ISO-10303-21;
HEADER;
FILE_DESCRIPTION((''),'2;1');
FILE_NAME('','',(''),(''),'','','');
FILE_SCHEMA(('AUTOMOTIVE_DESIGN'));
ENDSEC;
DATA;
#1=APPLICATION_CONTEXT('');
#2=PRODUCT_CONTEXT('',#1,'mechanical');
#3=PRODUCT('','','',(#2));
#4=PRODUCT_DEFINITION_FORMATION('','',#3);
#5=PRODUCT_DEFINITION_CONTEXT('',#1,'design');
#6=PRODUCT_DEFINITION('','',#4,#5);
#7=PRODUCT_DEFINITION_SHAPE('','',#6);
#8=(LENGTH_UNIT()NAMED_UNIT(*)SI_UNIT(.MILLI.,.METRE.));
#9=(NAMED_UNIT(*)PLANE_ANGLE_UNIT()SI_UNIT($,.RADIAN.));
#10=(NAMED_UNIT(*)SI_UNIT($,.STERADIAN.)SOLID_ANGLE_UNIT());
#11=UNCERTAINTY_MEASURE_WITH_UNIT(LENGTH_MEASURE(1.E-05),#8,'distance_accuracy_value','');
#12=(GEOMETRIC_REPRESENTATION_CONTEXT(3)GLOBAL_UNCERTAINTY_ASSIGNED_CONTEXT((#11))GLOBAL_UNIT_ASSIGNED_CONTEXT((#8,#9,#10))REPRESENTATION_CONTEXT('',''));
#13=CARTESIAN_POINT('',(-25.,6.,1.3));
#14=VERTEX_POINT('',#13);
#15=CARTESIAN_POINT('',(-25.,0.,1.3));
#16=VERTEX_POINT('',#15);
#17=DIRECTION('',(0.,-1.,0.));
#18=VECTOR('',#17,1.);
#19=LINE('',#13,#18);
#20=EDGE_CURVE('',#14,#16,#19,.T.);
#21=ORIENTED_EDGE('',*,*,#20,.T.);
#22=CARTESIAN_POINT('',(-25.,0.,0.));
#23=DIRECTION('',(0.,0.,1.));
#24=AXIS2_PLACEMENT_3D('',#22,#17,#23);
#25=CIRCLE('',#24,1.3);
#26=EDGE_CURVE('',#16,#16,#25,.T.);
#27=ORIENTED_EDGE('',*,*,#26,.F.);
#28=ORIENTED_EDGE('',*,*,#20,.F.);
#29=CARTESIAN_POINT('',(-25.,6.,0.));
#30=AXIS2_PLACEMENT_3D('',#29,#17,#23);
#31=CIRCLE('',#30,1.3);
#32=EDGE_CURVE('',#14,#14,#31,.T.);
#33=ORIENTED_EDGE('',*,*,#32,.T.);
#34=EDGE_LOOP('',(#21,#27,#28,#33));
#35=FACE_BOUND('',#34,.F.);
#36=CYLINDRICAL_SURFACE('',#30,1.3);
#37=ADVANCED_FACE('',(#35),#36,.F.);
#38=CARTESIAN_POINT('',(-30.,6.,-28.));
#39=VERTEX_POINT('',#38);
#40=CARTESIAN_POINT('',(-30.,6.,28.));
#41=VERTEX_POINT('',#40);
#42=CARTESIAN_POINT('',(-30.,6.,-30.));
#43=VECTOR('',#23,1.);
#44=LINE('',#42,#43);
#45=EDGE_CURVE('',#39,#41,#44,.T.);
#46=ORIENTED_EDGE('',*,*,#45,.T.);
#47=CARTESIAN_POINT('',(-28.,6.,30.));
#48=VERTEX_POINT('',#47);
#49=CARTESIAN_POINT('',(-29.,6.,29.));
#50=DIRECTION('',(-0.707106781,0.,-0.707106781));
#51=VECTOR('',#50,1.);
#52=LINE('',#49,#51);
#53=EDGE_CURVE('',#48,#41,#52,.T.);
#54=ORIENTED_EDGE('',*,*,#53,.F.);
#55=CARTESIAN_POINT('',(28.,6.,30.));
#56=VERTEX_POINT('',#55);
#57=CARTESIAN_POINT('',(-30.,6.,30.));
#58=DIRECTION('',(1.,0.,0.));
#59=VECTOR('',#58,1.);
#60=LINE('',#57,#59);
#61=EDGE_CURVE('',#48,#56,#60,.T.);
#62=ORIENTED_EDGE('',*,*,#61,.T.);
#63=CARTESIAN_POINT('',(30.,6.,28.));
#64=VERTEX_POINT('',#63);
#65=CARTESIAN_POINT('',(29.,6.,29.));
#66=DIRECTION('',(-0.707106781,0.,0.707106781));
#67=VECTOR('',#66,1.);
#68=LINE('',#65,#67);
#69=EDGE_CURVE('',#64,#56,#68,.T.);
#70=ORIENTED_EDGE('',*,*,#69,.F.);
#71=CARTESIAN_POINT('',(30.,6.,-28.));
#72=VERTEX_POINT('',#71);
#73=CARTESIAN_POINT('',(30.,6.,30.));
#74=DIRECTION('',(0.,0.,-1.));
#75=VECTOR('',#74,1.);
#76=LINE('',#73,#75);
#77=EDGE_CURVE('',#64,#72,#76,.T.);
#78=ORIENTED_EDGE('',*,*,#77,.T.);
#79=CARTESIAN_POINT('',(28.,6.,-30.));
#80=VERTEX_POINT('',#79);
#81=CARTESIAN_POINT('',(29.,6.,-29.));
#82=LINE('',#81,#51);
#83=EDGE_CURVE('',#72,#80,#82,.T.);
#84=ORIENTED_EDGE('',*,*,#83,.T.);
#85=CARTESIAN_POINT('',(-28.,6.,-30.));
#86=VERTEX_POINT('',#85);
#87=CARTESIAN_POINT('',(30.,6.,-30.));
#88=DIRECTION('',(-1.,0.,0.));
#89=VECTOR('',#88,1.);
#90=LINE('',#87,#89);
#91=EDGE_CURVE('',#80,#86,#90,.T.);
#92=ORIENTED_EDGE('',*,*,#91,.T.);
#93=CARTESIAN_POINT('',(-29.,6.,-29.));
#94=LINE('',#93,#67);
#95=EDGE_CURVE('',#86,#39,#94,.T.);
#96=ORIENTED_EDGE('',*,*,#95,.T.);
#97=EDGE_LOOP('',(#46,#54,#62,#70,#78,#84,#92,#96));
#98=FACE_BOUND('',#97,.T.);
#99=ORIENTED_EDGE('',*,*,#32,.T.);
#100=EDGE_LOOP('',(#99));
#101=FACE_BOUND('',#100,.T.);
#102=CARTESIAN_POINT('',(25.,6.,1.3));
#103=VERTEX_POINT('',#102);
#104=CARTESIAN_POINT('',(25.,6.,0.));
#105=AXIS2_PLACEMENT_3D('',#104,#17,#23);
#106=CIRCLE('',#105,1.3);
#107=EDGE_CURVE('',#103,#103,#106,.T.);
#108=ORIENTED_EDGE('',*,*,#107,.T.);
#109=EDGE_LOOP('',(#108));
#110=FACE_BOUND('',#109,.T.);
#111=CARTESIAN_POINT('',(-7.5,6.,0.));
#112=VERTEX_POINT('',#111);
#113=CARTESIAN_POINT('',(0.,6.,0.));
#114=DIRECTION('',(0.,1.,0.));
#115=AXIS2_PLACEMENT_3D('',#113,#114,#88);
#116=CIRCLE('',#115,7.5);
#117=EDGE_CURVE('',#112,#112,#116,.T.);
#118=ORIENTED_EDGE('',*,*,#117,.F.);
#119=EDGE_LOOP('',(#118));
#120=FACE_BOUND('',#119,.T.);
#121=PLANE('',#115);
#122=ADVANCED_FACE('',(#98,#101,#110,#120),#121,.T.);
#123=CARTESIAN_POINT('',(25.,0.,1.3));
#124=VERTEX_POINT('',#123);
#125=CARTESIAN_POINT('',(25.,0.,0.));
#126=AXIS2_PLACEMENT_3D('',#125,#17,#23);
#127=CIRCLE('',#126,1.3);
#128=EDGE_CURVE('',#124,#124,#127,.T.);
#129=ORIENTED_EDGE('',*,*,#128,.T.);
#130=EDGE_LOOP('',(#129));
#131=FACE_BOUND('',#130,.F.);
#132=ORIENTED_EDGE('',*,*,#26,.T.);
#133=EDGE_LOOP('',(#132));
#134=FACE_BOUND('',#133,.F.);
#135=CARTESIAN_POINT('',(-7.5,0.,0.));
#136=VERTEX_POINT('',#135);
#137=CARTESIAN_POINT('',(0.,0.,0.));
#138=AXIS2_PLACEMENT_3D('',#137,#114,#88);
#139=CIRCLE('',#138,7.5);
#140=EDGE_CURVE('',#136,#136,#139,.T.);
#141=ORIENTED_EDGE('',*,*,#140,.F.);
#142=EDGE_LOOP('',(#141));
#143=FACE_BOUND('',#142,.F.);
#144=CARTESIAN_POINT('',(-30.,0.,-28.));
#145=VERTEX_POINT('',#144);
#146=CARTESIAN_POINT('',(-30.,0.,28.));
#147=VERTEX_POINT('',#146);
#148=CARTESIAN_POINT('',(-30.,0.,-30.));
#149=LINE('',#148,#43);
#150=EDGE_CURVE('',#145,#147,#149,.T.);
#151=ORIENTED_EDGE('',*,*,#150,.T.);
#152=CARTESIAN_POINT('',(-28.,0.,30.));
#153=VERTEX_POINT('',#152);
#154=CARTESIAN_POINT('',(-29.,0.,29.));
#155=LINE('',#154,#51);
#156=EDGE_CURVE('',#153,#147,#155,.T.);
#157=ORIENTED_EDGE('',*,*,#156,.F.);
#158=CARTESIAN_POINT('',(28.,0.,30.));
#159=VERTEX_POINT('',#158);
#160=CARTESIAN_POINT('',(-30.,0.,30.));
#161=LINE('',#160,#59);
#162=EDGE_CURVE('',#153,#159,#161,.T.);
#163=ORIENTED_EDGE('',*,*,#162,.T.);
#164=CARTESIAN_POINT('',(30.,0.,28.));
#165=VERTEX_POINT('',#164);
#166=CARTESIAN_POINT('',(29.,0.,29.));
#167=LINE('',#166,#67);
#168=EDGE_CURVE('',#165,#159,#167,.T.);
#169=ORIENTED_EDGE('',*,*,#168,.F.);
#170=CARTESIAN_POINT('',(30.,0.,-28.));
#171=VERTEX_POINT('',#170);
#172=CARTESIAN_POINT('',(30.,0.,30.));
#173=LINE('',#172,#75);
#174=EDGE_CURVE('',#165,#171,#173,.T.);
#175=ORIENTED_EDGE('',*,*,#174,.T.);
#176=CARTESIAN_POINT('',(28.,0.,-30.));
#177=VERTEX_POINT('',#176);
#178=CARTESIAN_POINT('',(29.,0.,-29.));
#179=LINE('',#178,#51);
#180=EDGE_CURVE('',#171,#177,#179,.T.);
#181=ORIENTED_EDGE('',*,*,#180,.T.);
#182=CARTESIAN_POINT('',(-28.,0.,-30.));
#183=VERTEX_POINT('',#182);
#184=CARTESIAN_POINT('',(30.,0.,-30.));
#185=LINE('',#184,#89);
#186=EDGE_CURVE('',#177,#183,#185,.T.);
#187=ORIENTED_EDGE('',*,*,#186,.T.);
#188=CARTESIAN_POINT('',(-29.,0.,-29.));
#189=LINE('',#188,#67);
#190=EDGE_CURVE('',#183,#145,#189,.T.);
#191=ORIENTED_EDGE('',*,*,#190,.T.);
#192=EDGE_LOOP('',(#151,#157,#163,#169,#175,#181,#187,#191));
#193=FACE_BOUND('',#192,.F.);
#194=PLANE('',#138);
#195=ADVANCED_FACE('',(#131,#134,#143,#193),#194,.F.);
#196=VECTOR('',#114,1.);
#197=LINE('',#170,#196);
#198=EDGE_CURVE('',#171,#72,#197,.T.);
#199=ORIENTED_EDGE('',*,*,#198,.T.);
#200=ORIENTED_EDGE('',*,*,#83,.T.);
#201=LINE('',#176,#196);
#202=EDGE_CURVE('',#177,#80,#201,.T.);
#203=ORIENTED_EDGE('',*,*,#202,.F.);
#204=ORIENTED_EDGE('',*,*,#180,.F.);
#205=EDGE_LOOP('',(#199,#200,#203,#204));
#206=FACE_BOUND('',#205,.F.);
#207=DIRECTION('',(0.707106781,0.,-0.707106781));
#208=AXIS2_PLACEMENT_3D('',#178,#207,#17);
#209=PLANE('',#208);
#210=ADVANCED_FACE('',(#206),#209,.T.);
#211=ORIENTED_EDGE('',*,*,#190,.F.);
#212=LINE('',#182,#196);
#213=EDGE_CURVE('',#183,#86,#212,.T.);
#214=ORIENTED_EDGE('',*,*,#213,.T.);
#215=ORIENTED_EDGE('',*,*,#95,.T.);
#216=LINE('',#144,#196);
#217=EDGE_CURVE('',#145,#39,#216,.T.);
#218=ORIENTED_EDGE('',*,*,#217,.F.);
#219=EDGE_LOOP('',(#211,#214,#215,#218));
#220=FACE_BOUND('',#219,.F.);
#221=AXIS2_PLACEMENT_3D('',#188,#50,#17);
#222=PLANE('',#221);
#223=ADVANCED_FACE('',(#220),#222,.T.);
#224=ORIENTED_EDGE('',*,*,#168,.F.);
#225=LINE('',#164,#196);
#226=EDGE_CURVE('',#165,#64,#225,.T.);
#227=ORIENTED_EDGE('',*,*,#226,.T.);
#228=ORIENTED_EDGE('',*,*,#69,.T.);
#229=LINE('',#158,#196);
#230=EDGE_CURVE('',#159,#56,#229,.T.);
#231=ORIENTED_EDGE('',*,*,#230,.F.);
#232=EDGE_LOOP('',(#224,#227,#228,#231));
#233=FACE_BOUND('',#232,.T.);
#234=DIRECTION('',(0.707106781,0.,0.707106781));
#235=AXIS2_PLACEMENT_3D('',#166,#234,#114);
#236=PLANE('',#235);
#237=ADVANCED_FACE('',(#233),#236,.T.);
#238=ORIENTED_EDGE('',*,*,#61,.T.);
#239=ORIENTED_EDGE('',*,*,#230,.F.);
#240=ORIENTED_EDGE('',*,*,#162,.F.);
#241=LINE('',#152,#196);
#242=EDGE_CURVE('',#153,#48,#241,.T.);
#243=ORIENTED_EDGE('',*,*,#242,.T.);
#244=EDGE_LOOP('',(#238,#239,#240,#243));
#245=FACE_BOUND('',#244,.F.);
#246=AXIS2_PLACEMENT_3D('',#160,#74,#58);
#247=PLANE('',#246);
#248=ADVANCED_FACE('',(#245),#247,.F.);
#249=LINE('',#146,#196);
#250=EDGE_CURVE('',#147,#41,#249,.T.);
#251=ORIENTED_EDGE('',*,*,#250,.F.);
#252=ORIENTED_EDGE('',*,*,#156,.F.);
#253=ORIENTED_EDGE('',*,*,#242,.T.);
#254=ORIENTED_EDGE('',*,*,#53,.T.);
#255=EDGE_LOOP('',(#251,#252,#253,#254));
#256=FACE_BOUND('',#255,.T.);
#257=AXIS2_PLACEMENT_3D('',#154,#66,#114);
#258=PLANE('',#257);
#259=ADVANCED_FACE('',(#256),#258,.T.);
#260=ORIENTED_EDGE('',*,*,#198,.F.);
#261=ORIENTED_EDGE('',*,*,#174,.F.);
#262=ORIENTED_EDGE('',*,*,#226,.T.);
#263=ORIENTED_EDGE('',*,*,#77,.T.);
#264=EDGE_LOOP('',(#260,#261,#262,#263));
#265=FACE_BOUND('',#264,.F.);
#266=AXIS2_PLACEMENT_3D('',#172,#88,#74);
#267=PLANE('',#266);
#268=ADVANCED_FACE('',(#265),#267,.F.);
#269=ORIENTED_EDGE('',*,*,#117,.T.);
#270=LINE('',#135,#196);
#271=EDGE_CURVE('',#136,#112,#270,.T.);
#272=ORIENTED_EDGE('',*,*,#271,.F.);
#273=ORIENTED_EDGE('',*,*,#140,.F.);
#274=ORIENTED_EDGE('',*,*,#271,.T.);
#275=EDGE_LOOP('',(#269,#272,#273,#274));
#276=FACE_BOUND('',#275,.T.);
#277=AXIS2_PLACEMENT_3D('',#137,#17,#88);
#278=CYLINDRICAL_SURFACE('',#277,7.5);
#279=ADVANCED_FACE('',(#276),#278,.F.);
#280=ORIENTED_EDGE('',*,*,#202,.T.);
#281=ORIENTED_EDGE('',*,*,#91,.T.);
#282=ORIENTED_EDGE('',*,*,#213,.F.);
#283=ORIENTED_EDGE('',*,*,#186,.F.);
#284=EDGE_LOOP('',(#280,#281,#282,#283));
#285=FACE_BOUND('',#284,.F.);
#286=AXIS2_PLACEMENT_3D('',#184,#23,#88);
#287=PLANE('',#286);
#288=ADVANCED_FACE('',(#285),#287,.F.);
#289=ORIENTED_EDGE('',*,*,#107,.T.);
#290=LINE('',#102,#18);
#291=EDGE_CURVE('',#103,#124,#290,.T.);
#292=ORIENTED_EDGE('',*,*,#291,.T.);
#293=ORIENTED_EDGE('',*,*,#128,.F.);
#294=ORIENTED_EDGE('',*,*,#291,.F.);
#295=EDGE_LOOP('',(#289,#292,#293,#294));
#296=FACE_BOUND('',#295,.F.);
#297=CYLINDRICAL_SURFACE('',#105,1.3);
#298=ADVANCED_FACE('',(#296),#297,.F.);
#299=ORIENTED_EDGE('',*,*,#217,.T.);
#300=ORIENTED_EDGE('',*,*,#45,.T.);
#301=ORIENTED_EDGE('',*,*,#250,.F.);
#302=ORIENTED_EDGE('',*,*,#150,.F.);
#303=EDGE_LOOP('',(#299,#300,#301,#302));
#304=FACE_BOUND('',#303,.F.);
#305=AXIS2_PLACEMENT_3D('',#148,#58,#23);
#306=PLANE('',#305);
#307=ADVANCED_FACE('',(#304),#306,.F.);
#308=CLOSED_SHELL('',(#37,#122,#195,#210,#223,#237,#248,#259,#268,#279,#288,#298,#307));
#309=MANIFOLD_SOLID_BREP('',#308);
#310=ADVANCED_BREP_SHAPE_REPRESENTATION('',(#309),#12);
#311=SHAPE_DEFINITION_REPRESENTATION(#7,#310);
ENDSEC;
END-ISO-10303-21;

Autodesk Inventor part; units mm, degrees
ref_plane "YZ Plane" through (0, 0, 0) normal (1, 0, 0) x (0, 1, 0)
ref_plane "XZ Plane" through (0, 0, 0) normal (0, 1, 0) x (-1, 0, 0)
ref_plane "XY Plane" through (0, 0, 0) normal (0, 0, 1) x (1, 0, 0)
sketch "Sketch1" plane through (0, 0, 0) normal (0, 1, 0) x (-1, 0, 0)
  line L0 (-30, -30) -> (30, -30)
  line L1 (30, -30) -> (30, 30)
  line L2 (30, 30) -> (-30, 30)
  line L3 (-30, 30) -> (-30, -30)
  line L4 (-30, -30) -> (30, 30) construction
  line L5 (30, -30) -> (-30, 30) construction
  circle A0 centre (0, 0) radius 7.5
  dimension "d0" = 60
  dimension "d1" = 60
  dimension "d13" = 15
extrude "Extrusion1" add sketch "Sketch1" along normal blind 6
sketch "Sketch2" plane through (0, 6, 0) normal (0, 1, 0) x (1, 0, 0)
  line L0 (30, 30) -> (-30, 30) projected
  line L1 (-30, 30) -> (-30, -30) projected
  line L2 (-30, -30) -> (30, -30) projected
  line L3 (30, -30) -> (30, 30) projected
  line L4 (25, -25) -> (-25, -25)
  line L5 (-25, -25) -> (-25, 25)
  line L6 (-25, 25) -> (25, 25)
  line L7 (25, 25) -> (25, -25)
  line L8 (25, -25) -> (-25, 25) construction
  line L9 (-25, -25) -> (25, 25) construction
  line L10 (0, -25) -> (0, 25)
  line L11 (-25, 0) -> (25, 0)
  point P0 (0, 0)
  point P1 (0, 25)
  point P2 (-0.9499, 25.1888)
  dimension "d4" = 50
  dimension "d5" = 50
hole "Hole1" at (-25, 6, 0) at (25, 6, 0) direction (0, -1, 0) diameter 2.6 depth 10 tip angle 118
chamfer "Chamfer1" distance 2 angle 45 4 edges at (30, 3, 30) (30, 3, -30) (-30, 3, -30) (-30, 3, 30)
properties part number "00_XY_stage-CHUO_SEIKI_LD-647-R1-Top"
